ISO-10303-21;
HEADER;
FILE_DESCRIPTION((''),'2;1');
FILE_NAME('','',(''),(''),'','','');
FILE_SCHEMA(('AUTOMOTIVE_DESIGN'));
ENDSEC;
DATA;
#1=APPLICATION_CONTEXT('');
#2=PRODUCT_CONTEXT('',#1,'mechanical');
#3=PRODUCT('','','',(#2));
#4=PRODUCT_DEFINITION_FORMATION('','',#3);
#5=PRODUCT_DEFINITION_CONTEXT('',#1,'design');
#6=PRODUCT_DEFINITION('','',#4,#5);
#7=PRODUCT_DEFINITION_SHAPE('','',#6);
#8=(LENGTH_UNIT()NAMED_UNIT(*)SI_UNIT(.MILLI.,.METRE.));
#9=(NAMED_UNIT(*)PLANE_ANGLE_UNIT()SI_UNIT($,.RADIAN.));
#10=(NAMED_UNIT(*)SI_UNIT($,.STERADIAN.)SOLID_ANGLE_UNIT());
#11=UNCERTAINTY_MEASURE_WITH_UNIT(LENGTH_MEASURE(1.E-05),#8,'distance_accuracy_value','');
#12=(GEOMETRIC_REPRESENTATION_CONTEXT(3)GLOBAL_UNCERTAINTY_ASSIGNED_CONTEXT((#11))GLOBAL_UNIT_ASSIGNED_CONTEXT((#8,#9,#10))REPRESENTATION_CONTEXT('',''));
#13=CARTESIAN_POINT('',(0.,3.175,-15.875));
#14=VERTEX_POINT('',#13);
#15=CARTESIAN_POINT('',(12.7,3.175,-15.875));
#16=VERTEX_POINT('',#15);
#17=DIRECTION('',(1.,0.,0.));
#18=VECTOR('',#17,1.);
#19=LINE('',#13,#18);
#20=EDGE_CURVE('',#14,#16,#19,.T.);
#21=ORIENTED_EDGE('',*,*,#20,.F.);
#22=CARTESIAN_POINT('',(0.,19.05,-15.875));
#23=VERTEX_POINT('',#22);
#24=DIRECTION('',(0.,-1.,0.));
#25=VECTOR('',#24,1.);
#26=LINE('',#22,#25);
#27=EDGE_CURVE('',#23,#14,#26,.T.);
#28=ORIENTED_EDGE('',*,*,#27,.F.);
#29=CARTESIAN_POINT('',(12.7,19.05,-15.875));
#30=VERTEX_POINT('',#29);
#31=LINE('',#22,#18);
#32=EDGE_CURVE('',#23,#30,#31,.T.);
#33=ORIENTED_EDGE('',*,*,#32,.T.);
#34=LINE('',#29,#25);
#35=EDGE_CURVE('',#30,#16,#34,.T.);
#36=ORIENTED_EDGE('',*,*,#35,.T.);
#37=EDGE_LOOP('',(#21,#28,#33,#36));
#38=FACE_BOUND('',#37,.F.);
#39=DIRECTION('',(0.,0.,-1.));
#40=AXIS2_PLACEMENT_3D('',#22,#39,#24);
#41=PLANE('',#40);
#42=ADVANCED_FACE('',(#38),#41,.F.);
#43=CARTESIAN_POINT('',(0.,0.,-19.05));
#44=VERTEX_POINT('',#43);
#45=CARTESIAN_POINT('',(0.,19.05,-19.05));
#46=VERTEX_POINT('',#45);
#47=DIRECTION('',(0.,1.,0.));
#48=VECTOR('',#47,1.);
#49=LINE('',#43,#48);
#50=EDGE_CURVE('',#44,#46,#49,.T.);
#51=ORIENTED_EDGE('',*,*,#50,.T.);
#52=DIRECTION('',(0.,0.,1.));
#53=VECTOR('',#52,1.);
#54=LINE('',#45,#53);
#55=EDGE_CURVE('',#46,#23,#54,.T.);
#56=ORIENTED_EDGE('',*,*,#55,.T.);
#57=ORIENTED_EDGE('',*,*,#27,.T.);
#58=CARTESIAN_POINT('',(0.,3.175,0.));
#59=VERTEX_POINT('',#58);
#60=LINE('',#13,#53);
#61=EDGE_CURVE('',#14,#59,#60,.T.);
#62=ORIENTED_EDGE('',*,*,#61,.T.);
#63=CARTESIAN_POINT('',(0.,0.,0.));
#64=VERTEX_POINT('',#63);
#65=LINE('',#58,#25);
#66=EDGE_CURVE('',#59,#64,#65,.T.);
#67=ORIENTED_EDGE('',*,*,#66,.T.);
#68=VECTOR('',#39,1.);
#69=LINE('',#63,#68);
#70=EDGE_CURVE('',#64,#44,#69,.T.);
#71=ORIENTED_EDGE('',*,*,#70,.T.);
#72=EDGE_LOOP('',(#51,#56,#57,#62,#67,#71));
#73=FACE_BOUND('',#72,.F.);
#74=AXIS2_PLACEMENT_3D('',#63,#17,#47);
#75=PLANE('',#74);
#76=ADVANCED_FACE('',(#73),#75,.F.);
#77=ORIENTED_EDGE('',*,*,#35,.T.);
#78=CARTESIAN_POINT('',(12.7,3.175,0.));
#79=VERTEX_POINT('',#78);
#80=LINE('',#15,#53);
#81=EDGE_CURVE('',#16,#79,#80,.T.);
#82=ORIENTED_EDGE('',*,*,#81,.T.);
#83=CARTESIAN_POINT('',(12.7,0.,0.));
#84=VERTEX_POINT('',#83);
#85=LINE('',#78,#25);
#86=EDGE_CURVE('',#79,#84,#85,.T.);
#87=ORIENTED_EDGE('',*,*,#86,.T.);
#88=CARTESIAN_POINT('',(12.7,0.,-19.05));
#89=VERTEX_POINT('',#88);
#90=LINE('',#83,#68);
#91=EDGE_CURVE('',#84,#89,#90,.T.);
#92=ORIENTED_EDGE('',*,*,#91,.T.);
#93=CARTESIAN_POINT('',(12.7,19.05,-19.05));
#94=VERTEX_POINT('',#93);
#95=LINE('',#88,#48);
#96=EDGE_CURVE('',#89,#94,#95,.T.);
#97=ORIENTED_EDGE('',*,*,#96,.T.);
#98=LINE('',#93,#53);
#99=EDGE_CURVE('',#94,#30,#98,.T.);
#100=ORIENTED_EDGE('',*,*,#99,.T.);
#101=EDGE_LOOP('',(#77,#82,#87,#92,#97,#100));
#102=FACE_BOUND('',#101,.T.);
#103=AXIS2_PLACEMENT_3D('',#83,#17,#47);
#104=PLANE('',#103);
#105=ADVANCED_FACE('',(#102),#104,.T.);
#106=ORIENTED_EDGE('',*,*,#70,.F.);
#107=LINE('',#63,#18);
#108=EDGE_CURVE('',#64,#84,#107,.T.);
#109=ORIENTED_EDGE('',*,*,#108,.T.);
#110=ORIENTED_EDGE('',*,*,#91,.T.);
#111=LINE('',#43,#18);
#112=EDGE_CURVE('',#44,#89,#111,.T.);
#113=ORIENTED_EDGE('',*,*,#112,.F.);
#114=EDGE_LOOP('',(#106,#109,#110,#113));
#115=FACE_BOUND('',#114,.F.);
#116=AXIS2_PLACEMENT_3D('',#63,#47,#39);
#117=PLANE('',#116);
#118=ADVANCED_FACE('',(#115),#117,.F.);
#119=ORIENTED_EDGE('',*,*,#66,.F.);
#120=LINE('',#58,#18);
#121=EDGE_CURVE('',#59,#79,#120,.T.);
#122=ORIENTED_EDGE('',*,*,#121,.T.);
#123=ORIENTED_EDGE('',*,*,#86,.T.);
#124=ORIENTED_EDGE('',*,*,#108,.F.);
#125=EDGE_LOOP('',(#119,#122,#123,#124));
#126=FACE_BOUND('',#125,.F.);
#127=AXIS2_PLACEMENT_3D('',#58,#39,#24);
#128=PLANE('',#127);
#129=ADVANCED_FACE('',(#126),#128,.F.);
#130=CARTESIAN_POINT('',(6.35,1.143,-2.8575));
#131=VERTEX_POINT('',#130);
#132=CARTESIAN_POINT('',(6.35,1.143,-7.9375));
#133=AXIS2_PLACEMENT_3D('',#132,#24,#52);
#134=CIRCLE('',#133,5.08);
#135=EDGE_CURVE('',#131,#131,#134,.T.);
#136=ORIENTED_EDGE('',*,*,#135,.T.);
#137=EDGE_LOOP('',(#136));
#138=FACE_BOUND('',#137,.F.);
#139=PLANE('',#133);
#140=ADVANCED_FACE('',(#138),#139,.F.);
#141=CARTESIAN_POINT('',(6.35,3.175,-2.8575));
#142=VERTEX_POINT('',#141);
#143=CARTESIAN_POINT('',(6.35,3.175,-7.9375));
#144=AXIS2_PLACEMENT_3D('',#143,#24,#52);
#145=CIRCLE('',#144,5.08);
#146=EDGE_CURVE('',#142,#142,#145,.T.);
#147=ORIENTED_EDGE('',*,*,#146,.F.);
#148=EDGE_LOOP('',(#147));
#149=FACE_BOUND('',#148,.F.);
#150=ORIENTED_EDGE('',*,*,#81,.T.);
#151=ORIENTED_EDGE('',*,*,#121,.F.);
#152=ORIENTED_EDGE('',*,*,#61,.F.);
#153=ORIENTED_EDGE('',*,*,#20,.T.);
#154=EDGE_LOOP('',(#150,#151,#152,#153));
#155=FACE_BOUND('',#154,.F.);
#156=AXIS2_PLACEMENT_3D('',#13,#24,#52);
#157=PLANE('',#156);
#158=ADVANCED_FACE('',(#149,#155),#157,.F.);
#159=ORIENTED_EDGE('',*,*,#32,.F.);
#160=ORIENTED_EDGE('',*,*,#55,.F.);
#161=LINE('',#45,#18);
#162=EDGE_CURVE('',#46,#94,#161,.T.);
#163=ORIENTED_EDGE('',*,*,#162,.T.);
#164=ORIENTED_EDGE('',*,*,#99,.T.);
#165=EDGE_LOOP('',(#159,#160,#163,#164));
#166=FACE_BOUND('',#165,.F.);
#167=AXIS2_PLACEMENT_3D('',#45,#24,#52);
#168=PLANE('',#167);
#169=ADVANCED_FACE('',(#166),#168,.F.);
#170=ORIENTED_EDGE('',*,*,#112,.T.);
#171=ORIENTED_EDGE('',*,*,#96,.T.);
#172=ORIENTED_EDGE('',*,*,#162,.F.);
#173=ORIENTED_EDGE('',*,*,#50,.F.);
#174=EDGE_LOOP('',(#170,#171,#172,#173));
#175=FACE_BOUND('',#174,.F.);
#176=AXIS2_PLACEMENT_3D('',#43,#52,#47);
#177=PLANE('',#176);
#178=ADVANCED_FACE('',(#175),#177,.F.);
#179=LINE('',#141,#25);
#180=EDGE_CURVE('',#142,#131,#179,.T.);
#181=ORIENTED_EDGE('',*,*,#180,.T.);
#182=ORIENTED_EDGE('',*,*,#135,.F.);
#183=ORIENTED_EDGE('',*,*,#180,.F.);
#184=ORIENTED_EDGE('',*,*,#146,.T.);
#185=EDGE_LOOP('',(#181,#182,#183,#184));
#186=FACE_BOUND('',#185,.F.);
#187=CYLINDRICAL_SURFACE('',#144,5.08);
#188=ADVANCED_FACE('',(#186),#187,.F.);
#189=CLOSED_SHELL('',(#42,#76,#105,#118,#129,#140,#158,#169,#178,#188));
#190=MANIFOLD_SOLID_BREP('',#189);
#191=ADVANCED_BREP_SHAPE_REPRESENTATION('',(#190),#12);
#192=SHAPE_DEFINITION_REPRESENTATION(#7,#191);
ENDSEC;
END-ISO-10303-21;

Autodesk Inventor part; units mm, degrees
ref_plane "YZ Plane" through (0, 0, 0) normal (1, 0, 0) x (0, 1, 0)
ref_plane "XZ Plane" through (0, 0, 0) normal (0, 1, 0) x (-1, 0, 0)
ref_plane "XY Plane" through (0, 0, 0) normal (0, 0, 1) x (1, 0, 0)
sketch "Sketch1" plane through (0, 0, 0) normal (1, 0, 0) x (0, 1, 0)
  line L0 (0, 0) -> (0, -19.05)
  line L1 (0, -19.05) -> (19.05, -19.05)
  line L2 (19.05, -19.05) -> (19.05, -15.875)
  line L3 (19.05, -15.875) -> (3.175, -15.875)
  line L4 (3.175, -15.875) -> (3.175, 0)
  line L5 (3.175, 0) -> (0, 0)
  dimension "d0" = 3.175
  dimension "d1" = 19.05
  dimension "d4" = 3.175
  dimension "d5" = 19.05
extrude "Extrusion1" add sketch "Sketch1" along normal blind 12.7
sketch "Sketch3" plane through (0, 3.175, 0) normal (0, 1, 0) x (1, 0, 0)
  line L0 (0, 15.875) -> (0, 0) projected
  line L1 (0, 0) -> (12.7, 0) projected
  line L2 (12.7, 15.875) -> (12.7, 0) projected
  line L3 (0, 15.875) -> (12.7, 15.875) projected
  point P0 (0, 0)
  point P1 (6.35, 7.9375)
hole "Hole2" at (6.35, 3.175, -7.9375) direction (0, -1, 0) diameter 10.16 depth 2.032
equation "\"d4\" = d0"
equation "\"d5\" = d1"
properties part number "spring tab for on arm"
